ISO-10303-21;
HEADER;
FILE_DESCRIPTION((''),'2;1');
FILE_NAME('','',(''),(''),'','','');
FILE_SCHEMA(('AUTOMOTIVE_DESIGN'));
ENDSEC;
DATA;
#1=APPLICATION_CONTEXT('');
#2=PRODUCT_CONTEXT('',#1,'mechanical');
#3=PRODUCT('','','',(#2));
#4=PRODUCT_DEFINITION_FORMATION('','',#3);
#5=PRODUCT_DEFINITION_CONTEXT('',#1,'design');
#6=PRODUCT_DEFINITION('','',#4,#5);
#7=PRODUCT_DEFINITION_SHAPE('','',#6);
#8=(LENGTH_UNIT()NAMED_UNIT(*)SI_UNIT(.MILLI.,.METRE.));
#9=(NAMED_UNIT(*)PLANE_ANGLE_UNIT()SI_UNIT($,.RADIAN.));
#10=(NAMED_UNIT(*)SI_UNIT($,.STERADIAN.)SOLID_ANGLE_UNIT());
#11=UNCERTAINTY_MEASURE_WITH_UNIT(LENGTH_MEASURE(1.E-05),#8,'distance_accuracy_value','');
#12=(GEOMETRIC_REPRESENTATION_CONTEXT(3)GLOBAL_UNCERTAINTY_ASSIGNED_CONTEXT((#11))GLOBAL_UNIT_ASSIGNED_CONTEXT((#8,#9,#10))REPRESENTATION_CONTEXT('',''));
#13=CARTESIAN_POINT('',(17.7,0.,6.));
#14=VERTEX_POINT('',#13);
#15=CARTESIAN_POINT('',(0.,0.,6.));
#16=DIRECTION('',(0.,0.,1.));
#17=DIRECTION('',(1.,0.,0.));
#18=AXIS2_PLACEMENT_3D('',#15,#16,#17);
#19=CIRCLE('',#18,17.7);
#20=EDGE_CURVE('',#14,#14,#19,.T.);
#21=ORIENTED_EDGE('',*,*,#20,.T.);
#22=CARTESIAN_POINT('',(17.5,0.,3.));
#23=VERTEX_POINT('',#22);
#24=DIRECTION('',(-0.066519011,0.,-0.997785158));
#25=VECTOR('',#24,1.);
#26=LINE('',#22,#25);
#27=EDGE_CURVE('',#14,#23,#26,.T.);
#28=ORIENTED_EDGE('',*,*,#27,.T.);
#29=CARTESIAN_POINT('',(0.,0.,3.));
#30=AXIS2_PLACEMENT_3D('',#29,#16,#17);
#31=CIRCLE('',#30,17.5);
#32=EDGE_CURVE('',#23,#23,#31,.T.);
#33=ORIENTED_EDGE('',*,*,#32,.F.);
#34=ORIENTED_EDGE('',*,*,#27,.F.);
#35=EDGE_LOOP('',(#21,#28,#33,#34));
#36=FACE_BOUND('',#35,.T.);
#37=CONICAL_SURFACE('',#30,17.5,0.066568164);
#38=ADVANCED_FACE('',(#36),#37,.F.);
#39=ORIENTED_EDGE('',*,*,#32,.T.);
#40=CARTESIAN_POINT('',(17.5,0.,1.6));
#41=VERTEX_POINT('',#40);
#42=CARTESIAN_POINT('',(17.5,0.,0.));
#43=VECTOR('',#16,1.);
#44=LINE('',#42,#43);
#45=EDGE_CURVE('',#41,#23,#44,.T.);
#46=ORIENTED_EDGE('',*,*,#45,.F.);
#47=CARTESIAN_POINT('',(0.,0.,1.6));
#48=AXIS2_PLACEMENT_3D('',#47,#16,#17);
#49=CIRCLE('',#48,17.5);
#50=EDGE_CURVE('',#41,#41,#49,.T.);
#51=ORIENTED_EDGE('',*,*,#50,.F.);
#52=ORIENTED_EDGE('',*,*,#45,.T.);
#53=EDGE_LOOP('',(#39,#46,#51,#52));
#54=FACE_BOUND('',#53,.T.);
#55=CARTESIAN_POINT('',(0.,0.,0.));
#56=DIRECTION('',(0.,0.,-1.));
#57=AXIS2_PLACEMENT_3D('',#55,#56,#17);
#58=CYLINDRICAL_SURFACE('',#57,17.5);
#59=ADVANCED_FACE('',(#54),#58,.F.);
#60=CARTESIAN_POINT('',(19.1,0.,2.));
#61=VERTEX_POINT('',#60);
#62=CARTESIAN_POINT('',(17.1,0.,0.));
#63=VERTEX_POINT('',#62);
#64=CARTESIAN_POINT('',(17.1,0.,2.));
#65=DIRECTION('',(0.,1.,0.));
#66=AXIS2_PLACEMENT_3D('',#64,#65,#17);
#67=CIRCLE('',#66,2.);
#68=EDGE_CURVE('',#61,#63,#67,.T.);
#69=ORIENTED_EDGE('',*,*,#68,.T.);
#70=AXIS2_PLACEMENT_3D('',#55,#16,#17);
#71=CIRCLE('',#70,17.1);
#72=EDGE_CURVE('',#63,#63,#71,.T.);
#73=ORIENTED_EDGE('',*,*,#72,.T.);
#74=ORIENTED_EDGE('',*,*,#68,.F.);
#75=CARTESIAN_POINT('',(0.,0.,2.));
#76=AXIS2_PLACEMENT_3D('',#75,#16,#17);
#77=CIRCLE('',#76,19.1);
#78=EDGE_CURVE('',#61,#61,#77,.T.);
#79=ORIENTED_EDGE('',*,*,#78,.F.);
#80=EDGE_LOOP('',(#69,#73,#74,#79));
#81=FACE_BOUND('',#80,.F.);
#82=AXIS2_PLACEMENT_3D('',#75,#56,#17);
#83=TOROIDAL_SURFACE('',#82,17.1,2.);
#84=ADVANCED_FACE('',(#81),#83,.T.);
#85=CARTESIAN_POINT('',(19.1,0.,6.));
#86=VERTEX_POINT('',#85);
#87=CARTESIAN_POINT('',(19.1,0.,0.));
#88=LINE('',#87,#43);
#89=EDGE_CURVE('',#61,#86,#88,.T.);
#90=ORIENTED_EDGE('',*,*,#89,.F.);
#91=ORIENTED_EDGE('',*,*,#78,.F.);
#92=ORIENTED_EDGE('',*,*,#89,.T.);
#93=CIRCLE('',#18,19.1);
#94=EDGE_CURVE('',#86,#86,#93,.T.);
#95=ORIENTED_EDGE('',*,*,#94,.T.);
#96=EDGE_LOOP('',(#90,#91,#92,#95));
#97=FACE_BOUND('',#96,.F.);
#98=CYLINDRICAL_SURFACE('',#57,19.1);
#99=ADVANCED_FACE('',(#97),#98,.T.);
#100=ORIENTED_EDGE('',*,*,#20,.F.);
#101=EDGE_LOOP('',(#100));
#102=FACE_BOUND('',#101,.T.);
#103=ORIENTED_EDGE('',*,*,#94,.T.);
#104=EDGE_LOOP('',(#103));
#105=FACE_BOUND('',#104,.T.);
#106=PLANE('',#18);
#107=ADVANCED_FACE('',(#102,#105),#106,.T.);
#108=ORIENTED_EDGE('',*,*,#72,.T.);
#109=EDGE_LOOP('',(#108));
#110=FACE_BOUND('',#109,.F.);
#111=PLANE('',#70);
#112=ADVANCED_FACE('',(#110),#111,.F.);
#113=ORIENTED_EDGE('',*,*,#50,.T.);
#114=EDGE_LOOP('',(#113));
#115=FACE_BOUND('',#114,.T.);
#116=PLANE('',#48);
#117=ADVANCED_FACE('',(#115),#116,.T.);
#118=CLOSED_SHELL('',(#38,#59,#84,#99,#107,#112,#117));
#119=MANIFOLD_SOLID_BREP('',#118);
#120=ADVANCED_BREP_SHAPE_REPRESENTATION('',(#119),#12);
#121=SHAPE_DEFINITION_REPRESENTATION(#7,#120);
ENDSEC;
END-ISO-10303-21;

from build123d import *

# Parameters (mm, degrees)
F0_R     = 17.5
F1_DEPTH = 1.6
F0_R_2   = 19.1
F2_DEPTH = 6
F3_SIZE2 = 3
F3_SIZE  = 0.2
F4_R     = 2


with BuildPart() as f1:
    # F0 (on Top) → F1 (new body)
    with BuildSketch(Plane.XY):
        Circle(F0_R)
    extrude(amount=F1_DEPTH)

    # F0 (on Top) → F2 (join)
    with BuildSketch(Plane.XY):
        Circle(F0_R_2)
        Circle(F0_R, mode=Mode.SUBTRACT)
    extrude(amount=F2_DEPTH)

    # F3
    f3_edges = [f1.edges().sort_by_distance(p)[0] for p in [
        (-17.5, 0, 6),
    ]]
    chamfer(f3_edges, length=F3_SIZE, length2=F3_SIZE2)

    # F4
    f4_edges = [f1.edges().sort_by_distance(p)[0] for p in [
        (-19.1, 0, 0),
    ]]
    fillet(f4_edges, radius=F4_R)


solid = f1.part
